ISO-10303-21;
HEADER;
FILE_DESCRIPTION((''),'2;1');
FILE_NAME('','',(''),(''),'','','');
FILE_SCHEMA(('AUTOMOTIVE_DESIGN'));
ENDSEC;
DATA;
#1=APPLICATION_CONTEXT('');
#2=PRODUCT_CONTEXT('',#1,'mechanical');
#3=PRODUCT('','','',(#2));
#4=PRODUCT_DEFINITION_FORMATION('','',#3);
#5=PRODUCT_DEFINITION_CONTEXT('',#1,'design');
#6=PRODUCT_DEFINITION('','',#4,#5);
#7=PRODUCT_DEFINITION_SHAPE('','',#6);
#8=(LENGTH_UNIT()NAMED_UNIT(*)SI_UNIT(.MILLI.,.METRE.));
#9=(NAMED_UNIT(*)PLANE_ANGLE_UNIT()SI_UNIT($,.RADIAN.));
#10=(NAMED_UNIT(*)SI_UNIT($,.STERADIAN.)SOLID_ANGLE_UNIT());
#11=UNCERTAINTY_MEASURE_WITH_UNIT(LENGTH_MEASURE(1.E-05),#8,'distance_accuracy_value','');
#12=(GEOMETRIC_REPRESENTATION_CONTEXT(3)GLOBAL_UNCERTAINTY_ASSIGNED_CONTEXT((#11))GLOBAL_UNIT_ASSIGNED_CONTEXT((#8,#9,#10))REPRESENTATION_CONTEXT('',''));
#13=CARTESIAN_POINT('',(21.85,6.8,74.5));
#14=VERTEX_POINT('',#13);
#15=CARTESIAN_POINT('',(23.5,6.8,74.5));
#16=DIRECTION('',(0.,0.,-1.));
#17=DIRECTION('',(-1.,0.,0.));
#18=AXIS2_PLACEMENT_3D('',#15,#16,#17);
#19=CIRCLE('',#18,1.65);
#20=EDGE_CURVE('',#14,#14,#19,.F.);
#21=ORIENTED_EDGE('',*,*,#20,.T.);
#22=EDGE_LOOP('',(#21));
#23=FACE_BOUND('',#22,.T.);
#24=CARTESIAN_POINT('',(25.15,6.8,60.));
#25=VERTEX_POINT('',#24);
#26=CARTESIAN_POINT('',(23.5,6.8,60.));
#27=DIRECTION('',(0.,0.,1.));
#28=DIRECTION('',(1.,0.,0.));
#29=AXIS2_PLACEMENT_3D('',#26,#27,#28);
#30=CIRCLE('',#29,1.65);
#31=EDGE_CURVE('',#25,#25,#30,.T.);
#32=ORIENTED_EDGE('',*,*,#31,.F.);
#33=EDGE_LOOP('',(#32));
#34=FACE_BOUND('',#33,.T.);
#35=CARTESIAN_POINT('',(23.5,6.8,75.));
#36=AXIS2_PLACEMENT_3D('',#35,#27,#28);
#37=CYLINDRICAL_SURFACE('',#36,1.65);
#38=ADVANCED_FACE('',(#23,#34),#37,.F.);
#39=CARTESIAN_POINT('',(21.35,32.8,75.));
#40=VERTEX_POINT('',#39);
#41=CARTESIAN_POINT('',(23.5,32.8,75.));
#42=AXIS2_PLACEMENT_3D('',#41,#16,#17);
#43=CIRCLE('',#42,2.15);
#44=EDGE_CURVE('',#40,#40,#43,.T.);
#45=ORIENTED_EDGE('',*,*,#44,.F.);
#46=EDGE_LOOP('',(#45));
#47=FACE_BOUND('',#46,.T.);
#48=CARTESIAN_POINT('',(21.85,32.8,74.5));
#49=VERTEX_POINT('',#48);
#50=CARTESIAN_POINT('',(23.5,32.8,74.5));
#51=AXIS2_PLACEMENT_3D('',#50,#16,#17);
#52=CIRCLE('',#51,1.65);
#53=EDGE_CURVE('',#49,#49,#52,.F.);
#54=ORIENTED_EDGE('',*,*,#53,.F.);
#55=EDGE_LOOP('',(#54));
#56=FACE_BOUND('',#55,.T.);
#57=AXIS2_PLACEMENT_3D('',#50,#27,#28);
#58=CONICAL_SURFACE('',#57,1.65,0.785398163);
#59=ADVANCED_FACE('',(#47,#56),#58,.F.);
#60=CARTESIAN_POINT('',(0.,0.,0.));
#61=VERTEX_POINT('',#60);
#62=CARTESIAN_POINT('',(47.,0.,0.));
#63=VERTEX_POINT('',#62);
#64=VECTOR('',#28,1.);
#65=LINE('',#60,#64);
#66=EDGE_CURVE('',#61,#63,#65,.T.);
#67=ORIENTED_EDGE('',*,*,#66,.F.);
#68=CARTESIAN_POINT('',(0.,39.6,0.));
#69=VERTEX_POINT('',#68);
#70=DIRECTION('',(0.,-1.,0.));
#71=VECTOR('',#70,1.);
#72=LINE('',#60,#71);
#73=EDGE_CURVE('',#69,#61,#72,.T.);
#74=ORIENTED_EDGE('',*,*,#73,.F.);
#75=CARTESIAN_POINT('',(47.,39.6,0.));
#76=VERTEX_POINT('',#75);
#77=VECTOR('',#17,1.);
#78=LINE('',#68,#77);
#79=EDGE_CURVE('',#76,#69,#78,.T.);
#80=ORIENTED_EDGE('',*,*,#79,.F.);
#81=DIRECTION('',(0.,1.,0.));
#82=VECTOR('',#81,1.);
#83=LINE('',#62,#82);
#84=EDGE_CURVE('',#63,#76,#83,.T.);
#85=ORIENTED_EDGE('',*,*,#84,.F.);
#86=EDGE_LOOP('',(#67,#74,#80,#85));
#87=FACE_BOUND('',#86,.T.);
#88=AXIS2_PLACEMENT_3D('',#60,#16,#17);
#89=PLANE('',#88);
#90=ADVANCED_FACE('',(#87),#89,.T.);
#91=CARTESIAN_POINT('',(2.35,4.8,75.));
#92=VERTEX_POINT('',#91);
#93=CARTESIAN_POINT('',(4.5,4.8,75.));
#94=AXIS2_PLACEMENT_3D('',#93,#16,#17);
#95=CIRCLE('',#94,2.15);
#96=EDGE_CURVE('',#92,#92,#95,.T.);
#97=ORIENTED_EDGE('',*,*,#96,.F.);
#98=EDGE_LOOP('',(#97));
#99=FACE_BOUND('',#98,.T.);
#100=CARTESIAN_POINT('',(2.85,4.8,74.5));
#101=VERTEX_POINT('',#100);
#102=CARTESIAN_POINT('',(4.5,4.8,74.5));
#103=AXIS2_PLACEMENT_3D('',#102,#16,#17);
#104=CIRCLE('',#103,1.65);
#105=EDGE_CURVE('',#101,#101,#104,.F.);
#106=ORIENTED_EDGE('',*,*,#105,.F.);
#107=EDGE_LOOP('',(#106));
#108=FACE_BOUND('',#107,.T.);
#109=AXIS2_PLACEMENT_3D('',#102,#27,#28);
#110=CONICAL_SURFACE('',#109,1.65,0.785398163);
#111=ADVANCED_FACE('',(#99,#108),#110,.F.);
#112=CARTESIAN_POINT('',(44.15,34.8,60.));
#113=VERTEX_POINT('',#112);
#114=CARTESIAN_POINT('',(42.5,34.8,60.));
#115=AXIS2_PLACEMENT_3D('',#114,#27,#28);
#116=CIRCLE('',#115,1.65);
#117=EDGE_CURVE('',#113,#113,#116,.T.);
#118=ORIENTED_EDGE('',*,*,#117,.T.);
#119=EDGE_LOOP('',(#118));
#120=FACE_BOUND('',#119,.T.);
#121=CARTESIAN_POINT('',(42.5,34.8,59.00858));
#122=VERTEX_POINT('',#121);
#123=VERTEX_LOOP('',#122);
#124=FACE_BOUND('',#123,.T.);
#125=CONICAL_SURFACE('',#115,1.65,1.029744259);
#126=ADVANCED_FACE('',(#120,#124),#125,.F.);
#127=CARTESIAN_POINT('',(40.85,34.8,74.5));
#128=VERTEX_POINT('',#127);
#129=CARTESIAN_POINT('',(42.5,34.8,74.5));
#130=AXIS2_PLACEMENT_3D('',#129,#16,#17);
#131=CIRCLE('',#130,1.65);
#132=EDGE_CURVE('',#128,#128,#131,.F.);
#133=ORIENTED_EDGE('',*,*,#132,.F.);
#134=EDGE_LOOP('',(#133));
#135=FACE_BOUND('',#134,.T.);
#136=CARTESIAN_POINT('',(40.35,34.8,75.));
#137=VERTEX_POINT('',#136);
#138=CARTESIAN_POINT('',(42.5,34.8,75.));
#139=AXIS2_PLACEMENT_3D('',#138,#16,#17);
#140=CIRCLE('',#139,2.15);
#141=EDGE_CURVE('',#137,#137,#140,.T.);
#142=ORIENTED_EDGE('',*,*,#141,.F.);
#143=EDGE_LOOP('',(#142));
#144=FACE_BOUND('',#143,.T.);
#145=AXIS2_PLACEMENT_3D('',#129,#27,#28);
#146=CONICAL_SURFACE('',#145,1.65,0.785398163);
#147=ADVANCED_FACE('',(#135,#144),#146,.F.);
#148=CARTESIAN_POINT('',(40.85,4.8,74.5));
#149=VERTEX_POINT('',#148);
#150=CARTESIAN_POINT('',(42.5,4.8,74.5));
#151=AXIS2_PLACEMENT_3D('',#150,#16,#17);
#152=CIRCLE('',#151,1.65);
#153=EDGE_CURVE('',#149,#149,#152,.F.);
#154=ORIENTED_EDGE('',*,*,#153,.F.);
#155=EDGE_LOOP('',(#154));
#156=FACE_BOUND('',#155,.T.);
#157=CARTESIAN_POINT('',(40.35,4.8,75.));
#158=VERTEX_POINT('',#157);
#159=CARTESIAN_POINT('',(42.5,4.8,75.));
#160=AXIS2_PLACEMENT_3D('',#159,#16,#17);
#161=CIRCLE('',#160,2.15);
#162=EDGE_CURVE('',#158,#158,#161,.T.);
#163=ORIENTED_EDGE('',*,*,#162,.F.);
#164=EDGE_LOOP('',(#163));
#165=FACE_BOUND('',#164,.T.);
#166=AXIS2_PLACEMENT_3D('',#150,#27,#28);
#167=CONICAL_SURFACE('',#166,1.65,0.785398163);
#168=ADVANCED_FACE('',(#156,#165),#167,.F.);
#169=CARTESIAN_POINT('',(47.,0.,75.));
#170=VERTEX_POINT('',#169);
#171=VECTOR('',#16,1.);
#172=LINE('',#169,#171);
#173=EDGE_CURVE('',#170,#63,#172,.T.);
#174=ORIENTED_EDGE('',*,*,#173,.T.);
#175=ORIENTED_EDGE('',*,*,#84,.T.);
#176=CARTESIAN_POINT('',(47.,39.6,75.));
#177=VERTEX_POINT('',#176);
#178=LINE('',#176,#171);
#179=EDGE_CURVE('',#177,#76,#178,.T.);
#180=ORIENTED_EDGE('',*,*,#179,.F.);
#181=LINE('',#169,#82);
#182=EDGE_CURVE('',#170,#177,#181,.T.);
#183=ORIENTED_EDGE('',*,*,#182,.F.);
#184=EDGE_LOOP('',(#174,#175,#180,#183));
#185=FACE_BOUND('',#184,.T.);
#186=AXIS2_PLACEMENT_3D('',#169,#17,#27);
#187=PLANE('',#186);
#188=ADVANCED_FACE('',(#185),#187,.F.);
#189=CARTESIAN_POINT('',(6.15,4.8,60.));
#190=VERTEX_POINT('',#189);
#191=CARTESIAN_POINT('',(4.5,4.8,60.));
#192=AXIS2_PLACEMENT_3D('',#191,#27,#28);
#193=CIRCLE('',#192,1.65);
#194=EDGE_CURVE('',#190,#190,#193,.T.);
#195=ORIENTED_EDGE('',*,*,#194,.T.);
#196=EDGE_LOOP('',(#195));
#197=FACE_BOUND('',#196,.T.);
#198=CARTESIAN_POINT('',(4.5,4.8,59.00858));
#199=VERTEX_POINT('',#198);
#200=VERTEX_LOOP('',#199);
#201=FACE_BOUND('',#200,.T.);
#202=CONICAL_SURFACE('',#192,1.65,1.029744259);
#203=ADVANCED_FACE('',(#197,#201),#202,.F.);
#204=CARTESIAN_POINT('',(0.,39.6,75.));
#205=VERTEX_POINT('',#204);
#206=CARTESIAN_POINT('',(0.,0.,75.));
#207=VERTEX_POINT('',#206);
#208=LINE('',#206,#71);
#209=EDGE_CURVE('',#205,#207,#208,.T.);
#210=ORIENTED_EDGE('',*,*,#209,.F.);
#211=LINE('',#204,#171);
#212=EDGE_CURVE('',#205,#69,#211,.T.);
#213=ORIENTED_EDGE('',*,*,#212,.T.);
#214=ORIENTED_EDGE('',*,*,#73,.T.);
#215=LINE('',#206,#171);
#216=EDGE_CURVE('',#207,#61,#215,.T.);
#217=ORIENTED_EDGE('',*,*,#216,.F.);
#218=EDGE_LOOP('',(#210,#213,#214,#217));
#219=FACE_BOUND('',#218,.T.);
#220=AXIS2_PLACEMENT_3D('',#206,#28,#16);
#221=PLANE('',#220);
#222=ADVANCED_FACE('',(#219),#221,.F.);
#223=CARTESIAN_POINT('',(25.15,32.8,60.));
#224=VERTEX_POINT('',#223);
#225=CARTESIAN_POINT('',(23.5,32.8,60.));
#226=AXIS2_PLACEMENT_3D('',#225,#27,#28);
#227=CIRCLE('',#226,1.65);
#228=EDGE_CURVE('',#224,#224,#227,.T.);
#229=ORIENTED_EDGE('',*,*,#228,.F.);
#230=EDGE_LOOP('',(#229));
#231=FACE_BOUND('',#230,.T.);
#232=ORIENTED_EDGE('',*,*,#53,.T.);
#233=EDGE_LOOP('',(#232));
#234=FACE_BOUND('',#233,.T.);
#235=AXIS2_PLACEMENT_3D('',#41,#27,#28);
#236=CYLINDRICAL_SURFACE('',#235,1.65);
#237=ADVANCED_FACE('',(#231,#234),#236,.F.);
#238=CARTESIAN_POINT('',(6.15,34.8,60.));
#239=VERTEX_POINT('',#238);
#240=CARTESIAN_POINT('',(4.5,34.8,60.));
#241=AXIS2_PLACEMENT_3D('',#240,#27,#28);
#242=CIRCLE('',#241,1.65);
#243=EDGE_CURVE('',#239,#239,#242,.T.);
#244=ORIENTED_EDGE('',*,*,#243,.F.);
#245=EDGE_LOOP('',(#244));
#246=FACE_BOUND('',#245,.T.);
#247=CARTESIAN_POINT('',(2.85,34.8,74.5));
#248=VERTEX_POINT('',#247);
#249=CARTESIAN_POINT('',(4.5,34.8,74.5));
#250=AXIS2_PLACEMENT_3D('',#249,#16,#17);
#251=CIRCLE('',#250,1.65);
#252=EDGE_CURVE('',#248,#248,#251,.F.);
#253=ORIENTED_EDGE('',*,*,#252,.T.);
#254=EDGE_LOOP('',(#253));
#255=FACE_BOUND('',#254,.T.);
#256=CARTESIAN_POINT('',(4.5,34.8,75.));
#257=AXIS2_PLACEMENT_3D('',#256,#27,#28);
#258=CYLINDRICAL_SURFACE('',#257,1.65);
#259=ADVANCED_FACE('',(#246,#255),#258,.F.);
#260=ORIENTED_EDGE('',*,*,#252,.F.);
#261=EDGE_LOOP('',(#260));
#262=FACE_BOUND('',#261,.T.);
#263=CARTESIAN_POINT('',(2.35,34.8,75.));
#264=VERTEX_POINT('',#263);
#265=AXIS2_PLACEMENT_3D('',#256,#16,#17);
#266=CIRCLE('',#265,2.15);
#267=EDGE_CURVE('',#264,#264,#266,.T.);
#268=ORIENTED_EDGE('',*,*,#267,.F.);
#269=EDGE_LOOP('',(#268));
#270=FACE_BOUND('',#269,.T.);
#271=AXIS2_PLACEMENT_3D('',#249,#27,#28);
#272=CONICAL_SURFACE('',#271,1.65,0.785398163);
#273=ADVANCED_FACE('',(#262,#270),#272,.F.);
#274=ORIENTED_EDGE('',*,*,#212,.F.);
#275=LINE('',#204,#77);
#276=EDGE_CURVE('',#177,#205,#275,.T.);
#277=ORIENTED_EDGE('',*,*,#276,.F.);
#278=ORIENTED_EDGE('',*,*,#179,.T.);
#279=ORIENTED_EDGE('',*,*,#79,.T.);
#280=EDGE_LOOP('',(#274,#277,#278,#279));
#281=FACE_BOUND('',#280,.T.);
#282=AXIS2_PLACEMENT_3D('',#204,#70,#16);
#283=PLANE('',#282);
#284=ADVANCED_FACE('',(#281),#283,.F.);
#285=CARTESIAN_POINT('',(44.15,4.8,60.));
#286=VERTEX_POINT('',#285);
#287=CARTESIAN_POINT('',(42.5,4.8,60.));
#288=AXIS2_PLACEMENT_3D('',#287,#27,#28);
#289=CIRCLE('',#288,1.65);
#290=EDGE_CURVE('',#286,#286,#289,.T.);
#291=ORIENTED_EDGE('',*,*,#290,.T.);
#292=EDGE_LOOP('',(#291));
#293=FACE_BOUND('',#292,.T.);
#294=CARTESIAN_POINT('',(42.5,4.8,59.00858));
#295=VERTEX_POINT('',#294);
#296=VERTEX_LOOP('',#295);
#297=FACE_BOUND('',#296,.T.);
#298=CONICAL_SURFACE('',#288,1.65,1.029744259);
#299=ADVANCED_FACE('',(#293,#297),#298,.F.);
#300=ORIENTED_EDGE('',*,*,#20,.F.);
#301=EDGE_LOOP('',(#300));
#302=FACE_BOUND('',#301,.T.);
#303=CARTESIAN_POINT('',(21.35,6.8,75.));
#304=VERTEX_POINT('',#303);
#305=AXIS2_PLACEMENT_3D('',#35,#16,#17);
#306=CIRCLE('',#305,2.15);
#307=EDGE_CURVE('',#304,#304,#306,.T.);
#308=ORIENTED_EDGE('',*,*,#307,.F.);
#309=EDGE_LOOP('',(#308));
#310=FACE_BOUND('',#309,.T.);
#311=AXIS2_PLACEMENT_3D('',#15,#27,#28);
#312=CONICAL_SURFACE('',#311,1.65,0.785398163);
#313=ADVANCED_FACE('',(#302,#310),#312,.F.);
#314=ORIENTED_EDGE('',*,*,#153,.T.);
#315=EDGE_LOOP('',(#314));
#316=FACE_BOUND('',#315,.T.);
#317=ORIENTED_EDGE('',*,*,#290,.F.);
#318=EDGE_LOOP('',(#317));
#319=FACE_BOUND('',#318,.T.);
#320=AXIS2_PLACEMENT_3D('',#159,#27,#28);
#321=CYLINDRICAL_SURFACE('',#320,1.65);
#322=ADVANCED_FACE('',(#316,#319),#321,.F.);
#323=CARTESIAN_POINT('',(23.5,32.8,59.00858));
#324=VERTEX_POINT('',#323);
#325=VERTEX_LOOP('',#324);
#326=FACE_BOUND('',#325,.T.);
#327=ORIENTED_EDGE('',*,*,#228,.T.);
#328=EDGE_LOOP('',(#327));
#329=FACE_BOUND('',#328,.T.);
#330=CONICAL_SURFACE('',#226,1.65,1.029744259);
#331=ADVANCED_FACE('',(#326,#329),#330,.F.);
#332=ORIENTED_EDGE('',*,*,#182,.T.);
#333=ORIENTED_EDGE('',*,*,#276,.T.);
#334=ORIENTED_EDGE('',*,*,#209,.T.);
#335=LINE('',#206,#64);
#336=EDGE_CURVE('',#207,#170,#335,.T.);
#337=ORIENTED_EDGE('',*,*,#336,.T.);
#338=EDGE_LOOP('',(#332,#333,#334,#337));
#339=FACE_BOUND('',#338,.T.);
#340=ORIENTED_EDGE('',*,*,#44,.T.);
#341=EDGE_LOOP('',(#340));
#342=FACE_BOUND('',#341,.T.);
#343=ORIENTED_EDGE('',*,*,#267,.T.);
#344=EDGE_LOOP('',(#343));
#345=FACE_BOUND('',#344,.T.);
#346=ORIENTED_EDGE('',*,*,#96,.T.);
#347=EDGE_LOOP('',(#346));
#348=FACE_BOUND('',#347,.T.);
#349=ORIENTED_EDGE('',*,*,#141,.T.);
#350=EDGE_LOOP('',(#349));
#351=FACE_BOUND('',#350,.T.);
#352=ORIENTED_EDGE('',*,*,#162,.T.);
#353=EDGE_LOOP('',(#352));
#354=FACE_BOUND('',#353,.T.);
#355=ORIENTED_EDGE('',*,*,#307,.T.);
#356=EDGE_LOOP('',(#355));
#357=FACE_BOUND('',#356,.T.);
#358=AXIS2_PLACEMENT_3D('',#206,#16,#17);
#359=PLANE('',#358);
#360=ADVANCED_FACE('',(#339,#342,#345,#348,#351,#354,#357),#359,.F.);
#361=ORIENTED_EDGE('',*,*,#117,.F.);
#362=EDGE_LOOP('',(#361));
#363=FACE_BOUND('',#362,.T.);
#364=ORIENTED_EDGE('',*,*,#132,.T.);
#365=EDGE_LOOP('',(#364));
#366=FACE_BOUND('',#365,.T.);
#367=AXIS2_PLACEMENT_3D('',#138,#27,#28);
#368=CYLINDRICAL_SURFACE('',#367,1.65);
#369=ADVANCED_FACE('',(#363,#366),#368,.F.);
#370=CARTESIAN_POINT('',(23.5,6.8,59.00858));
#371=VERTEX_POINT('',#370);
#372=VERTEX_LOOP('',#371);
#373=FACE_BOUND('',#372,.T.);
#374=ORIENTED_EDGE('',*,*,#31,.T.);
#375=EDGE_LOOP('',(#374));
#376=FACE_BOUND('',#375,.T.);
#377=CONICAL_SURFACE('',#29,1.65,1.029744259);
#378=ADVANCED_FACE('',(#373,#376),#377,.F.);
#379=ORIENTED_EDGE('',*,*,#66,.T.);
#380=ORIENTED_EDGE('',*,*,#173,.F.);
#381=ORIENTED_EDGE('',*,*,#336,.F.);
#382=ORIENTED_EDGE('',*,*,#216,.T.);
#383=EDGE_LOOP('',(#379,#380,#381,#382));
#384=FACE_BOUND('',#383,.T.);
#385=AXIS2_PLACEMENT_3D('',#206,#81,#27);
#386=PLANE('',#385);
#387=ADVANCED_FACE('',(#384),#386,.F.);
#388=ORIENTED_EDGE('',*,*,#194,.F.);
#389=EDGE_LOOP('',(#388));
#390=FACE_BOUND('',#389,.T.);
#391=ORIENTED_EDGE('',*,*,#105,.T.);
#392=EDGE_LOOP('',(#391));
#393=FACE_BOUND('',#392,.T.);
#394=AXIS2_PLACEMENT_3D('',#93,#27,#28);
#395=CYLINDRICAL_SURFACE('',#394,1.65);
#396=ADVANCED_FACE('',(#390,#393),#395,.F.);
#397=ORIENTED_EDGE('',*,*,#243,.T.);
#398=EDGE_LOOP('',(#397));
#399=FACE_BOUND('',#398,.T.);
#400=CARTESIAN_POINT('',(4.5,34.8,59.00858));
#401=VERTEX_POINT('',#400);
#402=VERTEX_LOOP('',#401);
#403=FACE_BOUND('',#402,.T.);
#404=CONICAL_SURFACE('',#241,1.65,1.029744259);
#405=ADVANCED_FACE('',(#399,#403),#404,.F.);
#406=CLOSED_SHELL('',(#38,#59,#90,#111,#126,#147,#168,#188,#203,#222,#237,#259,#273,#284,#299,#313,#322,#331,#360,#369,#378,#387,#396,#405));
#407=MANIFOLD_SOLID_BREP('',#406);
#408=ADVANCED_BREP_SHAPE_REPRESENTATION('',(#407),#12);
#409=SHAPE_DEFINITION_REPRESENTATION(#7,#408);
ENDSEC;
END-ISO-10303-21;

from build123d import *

# Parameters (mm, degrees)
SZKIC1_W                       = 47
SZKIC1_H                       = 39.6
DODANIE_WYCI_GNI_CIE1_DEPTH    = 75
OTW_R_GWINTOWANY_M4X0_72_D     = 3.3
OTW_R_GWINTOWANY_M4X0_72_DEPTH = 15
OTW_R_GWINTOWANY_M4X0_72_TIP   = 0.991420021
SFAZOWANIE1_SIZE               = 0.5


with BuildPart() as part:
    # Szkic1 → Dodanie-wyciągnięcie1 (new body)
    with BuildSketch(Plane.XY):
        with Locations((23.5, 19.8)):
            Rectangle(SZKIC1_W, SZKIC1_H)
    extrude(amount=DODANIE_WYCI_GNI_CIE1_DEPTH)

    # Otwór gwintowany M4x0.72
    with Locations(Plane.XY.offset(75)):
        with Locations((4.5, 34.8), (23.5, 32.8), (42.5, 34.8), (42.5, 4.8), (23.5, 6.8), (4.5, 4.8)):
            Hole(OTW_R_GWINTOWANY_M4X0_72_D / 2, depth=OTW_R_GWINTOWANY_M4X0_72_DEPTH)
            with Locations((0, 0, -(OTW_R_GWINTOWANY_M4X0_72_DEPTH + OTW_R_GWINTOWANY_M4X0_72_TIP / 2))):  # 118° drill point
                Cone(0, OTW_R_GWINTOWANY_M4X0_72_D / 2, OTW_R_GWINTOWANY_M4X0_72_TIP, mode=Mode.SUBTRACT)

    # Sfazowanie1
    sfazowanie1_edges = [part.edges().sort_by_distance(p)[0] for p in [
        (6.15, 4.8, 75),
        (25.15, 6.8, 75),
        (44.15, 4.8, 75),
        (44.15, 34.8, 75),
        (25.15, 32.8, 75),
        (6.15, 34.8, 75),
    ]]
    chamfer(sfazowanie1_edges, length=SFAZOWANIE1_SIZE)


solid = part.part
